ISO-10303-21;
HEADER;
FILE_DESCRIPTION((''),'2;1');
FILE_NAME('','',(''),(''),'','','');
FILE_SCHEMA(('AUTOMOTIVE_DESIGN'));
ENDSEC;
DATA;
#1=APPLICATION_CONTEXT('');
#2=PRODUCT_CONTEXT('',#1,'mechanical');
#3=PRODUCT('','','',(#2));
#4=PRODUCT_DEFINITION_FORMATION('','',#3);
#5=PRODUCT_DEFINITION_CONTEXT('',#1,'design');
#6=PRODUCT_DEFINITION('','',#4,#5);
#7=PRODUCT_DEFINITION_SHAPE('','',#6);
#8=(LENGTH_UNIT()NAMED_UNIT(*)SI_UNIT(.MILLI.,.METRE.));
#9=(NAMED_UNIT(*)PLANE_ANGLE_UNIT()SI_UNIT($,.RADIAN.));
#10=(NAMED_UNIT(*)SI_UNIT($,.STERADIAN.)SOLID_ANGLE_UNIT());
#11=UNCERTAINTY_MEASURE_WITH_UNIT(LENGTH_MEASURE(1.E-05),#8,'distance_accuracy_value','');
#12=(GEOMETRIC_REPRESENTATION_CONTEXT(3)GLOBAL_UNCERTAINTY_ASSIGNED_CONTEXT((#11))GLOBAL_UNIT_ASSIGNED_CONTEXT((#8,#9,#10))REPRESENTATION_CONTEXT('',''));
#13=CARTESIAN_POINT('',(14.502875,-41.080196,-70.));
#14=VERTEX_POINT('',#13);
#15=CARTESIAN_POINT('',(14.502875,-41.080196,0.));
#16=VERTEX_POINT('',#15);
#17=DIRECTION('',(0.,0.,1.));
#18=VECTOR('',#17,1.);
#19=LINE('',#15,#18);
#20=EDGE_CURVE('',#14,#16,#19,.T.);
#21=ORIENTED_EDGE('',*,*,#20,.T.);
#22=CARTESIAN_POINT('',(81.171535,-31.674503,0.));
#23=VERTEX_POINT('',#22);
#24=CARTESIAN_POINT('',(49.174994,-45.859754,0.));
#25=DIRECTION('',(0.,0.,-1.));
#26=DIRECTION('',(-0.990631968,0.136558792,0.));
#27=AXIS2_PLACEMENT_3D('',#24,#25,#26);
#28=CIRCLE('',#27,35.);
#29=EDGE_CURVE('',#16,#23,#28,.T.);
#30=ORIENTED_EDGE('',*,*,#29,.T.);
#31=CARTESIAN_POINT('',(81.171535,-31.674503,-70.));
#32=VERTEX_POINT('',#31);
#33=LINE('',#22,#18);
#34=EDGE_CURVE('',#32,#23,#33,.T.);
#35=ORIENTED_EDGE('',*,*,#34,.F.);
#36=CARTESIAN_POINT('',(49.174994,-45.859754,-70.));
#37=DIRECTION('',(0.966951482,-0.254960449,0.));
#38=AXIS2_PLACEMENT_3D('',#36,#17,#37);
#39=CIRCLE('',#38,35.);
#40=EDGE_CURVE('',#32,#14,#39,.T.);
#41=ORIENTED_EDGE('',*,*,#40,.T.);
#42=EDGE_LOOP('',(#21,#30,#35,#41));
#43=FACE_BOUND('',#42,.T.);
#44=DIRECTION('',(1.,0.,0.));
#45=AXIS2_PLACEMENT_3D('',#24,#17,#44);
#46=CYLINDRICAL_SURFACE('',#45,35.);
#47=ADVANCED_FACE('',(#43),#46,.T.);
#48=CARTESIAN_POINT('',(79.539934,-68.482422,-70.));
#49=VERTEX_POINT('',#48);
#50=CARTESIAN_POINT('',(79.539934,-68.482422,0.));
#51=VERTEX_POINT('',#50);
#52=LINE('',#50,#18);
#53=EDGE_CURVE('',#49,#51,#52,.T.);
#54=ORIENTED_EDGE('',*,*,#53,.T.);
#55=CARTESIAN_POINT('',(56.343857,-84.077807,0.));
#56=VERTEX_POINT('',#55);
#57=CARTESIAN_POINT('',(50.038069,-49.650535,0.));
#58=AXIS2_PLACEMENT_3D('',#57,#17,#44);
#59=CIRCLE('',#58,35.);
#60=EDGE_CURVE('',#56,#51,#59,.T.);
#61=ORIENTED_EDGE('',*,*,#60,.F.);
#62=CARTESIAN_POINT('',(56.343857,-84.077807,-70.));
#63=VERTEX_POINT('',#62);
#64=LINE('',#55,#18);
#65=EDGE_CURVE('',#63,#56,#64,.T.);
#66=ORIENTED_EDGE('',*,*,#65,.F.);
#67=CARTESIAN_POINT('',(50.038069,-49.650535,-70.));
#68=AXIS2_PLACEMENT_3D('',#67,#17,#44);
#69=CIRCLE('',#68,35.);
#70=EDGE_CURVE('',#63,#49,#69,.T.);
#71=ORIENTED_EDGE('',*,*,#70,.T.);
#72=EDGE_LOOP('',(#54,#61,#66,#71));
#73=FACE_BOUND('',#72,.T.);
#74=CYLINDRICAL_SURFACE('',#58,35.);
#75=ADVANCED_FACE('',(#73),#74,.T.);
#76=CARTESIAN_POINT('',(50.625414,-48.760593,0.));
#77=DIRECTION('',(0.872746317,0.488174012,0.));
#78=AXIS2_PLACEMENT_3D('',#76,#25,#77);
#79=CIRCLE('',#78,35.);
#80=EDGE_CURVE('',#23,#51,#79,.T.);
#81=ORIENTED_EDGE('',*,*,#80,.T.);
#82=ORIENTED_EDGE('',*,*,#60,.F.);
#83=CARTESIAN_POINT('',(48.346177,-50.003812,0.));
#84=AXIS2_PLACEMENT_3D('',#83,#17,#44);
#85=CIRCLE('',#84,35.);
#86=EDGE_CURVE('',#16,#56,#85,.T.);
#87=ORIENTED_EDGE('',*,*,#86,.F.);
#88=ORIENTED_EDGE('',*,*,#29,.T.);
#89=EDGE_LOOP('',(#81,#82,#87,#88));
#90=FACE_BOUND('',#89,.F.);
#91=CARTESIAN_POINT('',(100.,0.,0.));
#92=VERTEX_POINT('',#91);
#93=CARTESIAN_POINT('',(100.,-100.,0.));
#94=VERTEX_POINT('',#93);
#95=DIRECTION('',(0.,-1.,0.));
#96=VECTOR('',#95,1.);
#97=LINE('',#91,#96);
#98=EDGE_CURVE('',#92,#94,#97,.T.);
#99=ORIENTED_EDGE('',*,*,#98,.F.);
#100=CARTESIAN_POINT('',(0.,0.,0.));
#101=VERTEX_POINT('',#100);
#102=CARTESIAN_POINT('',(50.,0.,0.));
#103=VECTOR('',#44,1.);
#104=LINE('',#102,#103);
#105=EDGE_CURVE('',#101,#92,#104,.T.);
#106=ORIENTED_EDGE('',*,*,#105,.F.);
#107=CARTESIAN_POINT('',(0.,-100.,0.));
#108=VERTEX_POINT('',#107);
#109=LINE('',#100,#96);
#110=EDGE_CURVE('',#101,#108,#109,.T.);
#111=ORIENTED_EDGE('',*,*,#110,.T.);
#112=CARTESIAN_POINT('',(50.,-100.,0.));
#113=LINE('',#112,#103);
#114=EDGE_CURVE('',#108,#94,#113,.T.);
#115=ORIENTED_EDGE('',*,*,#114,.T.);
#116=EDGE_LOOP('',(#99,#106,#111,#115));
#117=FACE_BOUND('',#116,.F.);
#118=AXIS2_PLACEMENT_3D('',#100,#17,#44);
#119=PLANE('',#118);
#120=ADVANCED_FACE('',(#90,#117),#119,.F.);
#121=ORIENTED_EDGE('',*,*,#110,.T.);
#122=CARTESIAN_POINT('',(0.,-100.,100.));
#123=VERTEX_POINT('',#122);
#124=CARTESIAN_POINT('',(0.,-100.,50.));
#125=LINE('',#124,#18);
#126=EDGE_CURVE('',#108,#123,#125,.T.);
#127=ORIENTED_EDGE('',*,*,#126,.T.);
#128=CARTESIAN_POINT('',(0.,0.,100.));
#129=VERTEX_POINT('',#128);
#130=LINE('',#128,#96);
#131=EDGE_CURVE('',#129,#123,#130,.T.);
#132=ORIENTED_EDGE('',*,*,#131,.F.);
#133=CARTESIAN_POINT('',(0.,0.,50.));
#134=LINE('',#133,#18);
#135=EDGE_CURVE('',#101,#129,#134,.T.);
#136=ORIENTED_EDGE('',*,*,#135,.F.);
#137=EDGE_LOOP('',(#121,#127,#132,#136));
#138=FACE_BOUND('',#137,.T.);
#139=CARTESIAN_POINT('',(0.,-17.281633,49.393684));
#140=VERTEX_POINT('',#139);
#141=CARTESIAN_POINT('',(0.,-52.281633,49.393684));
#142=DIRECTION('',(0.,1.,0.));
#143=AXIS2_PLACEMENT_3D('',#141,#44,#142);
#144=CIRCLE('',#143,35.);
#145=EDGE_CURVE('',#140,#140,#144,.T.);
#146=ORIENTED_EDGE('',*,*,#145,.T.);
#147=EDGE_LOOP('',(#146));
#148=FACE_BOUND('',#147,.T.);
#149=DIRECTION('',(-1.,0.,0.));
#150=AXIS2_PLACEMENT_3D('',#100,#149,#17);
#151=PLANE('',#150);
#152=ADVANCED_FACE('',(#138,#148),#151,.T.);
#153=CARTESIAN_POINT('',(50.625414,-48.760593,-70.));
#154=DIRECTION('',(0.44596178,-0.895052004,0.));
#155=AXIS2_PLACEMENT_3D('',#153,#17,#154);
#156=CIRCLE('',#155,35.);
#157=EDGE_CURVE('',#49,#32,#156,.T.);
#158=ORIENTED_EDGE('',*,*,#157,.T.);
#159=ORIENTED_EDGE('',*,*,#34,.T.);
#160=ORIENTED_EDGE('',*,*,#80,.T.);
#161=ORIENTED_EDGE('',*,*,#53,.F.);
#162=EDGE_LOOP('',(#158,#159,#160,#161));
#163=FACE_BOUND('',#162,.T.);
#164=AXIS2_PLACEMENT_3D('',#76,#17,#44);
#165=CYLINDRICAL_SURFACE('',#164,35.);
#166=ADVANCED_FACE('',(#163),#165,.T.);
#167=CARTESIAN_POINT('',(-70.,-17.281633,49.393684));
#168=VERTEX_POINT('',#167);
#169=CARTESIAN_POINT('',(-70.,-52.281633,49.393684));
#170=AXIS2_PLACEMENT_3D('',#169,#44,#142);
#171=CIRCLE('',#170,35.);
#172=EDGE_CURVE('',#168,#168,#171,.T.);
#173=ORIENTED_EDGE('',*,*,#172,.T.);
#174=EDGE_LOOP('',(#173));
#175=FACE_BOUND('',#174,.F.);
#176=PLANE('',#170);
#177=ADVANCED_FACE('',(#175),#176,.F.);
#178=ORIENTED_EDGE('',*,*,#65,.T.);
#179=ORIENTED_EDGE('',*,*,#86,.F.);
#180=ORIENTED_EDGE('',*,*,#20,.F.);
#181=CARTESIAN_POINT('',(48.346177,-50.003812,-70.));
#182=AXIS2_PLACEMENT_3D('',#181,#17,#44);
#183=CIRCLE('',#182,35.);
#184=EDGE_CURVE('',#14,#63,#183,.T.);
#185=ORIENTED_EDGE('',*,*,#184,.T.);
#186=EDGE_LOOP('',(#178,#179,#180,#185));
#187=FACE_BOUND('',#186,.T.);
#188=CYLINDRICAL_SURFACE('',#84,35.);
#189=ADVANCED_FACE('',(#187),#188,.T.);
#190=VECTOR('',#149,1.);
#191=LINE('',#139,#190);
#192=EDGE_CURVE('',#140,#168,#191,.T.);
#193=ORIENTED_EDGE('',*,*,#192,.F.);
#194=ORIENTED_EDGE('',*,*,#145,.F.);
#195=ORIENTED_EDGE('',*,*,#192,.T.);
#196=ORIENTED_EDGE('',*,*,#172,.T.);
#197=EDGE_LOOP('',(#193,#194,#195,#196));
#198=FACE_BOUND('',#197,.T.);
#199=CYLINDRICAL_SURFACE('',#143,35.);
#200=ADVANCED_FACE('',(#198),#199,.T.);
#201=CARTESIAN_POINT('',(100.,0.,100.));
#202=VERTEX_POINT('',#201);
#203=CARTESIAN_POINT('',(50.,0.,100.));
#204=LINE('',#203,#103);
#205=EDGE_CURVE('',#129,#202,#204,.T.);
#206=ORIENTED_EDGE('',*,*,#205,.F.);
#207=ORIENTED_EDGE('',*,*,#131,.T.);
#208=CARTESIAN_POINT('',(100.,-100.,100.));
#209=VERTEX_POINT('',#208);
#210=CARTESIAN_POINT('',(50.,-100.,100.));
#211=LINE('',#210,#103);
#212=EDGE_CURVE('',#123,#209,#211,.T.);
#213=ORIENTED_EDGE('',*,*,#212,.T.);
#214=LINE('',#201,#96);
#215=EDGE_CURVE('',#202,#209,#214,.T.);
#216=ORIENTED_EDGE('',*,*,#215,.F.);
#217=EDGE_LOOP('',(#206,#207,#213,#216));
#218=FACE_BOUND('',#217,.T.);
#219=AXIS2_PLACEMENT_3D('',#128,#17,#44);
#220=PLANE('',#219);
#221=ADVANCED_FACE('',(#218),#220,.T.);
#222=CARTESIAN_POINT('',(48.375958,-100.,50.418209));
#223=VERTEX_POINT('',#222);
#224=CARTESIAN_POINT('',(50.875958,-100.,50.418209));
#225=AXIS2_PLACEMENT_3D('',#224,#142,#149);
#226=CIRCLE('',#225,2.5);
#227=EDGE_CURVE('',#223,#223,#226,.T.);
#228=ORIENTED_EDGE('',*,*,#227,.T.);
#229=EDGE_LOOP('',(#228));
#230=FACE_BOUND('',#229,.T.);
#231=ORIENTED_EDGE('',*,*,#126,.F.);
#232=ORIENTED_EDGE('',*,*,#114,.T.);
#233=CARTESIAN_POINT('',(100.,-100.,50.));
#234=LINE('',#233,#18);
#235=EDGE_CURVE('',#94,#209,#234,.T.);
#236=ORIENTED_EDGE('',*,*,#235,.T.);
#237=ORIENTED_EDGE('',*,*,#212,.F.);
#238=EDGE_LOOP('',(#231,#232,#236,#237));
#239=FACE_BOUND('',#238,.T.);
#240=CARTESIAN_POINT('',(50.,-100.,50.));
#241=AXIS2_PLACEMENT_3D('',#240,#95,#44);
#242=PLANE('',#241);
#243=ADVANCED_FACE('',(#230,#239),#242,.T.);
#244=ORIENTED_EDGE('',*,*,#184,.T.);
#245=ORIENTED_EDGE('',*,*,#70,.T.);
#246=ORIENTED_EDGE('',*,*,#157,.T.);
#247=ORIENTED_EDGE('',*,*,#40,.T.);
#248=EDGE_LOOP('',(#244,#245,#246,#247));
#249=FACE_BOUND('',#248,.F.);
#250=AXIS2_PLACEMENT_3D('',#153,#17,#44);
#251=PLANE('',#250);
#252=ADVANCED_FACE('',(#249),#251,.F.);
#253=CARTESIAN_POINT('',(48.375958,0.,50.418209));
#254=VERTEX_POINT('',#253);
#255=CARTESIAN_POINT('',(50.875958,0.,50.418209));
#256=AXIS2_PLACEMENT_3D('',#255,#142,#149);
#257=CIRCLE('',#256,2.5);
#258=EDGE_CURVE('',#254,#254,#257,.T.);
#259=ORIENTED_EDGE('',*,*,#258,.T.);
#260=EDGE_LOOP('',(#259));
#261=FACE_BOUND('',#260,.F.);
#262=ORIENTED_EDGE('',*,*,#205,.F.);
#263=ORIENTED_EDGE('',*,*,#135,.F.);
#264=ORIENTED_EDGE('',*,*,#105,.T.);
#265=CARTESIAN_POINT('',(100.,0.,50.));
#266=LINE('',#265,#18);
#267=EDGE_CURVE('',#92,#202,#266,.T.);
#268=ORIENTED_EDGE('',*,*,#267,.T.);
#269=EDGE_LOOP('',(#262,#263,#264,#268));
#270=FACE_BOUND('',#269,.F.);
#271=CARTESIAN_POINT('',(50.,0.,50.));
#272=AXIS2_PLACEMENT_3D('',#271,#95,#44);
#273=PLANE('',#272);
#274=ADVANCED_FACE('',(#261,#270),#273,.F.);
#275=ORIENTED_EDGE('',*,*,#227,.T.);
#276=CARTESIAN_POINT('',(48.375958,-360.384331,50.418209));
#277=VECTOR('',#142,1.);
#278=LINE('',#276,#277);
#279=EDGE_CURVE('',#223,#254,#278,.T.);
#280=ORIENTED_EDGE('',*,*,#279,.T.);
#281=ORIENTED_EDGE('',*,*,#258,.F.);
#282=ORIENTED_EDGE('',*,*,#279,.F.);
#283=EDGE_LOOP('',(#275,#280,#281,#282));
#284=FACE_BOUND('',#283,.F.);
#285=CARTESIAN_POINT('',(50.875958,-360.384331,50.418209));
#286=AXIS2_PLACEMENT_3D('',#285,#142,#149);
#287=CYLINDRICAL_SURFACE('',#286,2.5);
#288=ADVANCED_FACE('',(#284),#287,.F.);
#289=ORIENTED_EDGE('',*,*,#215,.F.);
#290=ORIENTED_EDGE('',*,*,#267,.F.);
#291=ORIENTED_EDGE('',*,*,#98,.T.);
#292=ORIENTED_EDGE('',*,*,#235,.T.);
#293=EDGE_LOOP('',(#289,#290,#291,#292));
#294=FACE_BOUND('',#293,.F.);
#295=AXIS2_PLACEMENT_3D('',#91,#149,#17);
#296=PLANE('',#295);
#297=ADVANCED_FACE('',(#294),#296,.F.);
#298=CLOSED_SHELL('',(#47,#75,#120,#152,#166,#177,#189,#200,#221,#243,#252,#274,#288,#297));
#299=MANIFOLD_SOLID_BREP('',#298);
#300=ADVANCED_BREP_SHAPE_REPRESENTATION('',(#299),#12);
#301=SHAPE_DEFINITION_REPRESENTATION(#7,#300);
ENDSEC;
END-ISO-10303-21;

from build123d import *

# Parameters (mm, degrees)
F0_W      = 100
F0_H      = 100
F1_DEPTH  = 100
F2_R      = 35
F3_DEPTH  = 70
F4_R      = 35
F5_DEPTH  = 70
F6_R      = 35
F7_DEPTH  = 70
F8_R      = 35
F9_DEPTH  = 70
F11_R     = 35
F12_DEPTH = 70
F13_R     = 35
F14_DEPTH = 25
F10_R     = 35
F15_DEPTH = 70
F17_D     = 5


with BuildPart() as f1:
    # F0 (on Front) → F1 (new body)
    with BuildSketch(Plane.XZ):
        with Locations((50, 50)):
            Rectangle(F0_W, F0_H)
    extrude(amount=F1_DEPTH)

    # F2 (on Top) → F3 (join)
    with BuildSketch(Plane.XY):
        with Locations((48.346177, -50.003812)):
            Circle(F2_R)
    extrude(amount=-F3_DEPTH)

    # F4 (on Top) → F5 (join)
    with BuildSketch(Plane.XY):
        with Locations((49.174994, -45.859754)):
            Circle(F4_R)
    extrude(amount=-F5_DEPTH)

    # F6 (on Top) → F7 (join)
    with BuildSketch(Plane.XY):
        with Locations((48.553377, -49.589396)):
            Circle(F6_R)
    extrude(amount=-F7_DEPTH)

    # F8 (on Top) → F9 (join)
    with BuildSketch(Plane.XY):
        with Locations((50.625414, -48.760593)):
            Circle(F8_R)
    extrude(amount=-F9_DEPTH)

    # F11 (on Top) → F12 (join)
    with BuildSketch(Plane.XY):
        with Locations((50.038069, -49.650535)):
            Circle(F11_R)
    extrude(amount=-F12_DEPTH)

    # F13 (on face) → F14 (join)
    with BuildSketch(Plane.XY.offset(100)):
        with Locations((49.716454, -51.418651)):
            Circle(F13_R)
    extrude(amount=-F14_DEPTH)

    # F10 (on Right) → F15 (join)
    with BuildSketch(Plane.YZ):
        with Locations((-52.281633, 49.393684)):
            Circle(F10_R)
    extrude(amount=-F15_DEPTH)

    # F17 (through all)
    with Locations(Plane.XZ.offset(100)):
        with Locations((50.875958, 50.418209)):
            Hole(F17_D / 2)


solid = f1.part
